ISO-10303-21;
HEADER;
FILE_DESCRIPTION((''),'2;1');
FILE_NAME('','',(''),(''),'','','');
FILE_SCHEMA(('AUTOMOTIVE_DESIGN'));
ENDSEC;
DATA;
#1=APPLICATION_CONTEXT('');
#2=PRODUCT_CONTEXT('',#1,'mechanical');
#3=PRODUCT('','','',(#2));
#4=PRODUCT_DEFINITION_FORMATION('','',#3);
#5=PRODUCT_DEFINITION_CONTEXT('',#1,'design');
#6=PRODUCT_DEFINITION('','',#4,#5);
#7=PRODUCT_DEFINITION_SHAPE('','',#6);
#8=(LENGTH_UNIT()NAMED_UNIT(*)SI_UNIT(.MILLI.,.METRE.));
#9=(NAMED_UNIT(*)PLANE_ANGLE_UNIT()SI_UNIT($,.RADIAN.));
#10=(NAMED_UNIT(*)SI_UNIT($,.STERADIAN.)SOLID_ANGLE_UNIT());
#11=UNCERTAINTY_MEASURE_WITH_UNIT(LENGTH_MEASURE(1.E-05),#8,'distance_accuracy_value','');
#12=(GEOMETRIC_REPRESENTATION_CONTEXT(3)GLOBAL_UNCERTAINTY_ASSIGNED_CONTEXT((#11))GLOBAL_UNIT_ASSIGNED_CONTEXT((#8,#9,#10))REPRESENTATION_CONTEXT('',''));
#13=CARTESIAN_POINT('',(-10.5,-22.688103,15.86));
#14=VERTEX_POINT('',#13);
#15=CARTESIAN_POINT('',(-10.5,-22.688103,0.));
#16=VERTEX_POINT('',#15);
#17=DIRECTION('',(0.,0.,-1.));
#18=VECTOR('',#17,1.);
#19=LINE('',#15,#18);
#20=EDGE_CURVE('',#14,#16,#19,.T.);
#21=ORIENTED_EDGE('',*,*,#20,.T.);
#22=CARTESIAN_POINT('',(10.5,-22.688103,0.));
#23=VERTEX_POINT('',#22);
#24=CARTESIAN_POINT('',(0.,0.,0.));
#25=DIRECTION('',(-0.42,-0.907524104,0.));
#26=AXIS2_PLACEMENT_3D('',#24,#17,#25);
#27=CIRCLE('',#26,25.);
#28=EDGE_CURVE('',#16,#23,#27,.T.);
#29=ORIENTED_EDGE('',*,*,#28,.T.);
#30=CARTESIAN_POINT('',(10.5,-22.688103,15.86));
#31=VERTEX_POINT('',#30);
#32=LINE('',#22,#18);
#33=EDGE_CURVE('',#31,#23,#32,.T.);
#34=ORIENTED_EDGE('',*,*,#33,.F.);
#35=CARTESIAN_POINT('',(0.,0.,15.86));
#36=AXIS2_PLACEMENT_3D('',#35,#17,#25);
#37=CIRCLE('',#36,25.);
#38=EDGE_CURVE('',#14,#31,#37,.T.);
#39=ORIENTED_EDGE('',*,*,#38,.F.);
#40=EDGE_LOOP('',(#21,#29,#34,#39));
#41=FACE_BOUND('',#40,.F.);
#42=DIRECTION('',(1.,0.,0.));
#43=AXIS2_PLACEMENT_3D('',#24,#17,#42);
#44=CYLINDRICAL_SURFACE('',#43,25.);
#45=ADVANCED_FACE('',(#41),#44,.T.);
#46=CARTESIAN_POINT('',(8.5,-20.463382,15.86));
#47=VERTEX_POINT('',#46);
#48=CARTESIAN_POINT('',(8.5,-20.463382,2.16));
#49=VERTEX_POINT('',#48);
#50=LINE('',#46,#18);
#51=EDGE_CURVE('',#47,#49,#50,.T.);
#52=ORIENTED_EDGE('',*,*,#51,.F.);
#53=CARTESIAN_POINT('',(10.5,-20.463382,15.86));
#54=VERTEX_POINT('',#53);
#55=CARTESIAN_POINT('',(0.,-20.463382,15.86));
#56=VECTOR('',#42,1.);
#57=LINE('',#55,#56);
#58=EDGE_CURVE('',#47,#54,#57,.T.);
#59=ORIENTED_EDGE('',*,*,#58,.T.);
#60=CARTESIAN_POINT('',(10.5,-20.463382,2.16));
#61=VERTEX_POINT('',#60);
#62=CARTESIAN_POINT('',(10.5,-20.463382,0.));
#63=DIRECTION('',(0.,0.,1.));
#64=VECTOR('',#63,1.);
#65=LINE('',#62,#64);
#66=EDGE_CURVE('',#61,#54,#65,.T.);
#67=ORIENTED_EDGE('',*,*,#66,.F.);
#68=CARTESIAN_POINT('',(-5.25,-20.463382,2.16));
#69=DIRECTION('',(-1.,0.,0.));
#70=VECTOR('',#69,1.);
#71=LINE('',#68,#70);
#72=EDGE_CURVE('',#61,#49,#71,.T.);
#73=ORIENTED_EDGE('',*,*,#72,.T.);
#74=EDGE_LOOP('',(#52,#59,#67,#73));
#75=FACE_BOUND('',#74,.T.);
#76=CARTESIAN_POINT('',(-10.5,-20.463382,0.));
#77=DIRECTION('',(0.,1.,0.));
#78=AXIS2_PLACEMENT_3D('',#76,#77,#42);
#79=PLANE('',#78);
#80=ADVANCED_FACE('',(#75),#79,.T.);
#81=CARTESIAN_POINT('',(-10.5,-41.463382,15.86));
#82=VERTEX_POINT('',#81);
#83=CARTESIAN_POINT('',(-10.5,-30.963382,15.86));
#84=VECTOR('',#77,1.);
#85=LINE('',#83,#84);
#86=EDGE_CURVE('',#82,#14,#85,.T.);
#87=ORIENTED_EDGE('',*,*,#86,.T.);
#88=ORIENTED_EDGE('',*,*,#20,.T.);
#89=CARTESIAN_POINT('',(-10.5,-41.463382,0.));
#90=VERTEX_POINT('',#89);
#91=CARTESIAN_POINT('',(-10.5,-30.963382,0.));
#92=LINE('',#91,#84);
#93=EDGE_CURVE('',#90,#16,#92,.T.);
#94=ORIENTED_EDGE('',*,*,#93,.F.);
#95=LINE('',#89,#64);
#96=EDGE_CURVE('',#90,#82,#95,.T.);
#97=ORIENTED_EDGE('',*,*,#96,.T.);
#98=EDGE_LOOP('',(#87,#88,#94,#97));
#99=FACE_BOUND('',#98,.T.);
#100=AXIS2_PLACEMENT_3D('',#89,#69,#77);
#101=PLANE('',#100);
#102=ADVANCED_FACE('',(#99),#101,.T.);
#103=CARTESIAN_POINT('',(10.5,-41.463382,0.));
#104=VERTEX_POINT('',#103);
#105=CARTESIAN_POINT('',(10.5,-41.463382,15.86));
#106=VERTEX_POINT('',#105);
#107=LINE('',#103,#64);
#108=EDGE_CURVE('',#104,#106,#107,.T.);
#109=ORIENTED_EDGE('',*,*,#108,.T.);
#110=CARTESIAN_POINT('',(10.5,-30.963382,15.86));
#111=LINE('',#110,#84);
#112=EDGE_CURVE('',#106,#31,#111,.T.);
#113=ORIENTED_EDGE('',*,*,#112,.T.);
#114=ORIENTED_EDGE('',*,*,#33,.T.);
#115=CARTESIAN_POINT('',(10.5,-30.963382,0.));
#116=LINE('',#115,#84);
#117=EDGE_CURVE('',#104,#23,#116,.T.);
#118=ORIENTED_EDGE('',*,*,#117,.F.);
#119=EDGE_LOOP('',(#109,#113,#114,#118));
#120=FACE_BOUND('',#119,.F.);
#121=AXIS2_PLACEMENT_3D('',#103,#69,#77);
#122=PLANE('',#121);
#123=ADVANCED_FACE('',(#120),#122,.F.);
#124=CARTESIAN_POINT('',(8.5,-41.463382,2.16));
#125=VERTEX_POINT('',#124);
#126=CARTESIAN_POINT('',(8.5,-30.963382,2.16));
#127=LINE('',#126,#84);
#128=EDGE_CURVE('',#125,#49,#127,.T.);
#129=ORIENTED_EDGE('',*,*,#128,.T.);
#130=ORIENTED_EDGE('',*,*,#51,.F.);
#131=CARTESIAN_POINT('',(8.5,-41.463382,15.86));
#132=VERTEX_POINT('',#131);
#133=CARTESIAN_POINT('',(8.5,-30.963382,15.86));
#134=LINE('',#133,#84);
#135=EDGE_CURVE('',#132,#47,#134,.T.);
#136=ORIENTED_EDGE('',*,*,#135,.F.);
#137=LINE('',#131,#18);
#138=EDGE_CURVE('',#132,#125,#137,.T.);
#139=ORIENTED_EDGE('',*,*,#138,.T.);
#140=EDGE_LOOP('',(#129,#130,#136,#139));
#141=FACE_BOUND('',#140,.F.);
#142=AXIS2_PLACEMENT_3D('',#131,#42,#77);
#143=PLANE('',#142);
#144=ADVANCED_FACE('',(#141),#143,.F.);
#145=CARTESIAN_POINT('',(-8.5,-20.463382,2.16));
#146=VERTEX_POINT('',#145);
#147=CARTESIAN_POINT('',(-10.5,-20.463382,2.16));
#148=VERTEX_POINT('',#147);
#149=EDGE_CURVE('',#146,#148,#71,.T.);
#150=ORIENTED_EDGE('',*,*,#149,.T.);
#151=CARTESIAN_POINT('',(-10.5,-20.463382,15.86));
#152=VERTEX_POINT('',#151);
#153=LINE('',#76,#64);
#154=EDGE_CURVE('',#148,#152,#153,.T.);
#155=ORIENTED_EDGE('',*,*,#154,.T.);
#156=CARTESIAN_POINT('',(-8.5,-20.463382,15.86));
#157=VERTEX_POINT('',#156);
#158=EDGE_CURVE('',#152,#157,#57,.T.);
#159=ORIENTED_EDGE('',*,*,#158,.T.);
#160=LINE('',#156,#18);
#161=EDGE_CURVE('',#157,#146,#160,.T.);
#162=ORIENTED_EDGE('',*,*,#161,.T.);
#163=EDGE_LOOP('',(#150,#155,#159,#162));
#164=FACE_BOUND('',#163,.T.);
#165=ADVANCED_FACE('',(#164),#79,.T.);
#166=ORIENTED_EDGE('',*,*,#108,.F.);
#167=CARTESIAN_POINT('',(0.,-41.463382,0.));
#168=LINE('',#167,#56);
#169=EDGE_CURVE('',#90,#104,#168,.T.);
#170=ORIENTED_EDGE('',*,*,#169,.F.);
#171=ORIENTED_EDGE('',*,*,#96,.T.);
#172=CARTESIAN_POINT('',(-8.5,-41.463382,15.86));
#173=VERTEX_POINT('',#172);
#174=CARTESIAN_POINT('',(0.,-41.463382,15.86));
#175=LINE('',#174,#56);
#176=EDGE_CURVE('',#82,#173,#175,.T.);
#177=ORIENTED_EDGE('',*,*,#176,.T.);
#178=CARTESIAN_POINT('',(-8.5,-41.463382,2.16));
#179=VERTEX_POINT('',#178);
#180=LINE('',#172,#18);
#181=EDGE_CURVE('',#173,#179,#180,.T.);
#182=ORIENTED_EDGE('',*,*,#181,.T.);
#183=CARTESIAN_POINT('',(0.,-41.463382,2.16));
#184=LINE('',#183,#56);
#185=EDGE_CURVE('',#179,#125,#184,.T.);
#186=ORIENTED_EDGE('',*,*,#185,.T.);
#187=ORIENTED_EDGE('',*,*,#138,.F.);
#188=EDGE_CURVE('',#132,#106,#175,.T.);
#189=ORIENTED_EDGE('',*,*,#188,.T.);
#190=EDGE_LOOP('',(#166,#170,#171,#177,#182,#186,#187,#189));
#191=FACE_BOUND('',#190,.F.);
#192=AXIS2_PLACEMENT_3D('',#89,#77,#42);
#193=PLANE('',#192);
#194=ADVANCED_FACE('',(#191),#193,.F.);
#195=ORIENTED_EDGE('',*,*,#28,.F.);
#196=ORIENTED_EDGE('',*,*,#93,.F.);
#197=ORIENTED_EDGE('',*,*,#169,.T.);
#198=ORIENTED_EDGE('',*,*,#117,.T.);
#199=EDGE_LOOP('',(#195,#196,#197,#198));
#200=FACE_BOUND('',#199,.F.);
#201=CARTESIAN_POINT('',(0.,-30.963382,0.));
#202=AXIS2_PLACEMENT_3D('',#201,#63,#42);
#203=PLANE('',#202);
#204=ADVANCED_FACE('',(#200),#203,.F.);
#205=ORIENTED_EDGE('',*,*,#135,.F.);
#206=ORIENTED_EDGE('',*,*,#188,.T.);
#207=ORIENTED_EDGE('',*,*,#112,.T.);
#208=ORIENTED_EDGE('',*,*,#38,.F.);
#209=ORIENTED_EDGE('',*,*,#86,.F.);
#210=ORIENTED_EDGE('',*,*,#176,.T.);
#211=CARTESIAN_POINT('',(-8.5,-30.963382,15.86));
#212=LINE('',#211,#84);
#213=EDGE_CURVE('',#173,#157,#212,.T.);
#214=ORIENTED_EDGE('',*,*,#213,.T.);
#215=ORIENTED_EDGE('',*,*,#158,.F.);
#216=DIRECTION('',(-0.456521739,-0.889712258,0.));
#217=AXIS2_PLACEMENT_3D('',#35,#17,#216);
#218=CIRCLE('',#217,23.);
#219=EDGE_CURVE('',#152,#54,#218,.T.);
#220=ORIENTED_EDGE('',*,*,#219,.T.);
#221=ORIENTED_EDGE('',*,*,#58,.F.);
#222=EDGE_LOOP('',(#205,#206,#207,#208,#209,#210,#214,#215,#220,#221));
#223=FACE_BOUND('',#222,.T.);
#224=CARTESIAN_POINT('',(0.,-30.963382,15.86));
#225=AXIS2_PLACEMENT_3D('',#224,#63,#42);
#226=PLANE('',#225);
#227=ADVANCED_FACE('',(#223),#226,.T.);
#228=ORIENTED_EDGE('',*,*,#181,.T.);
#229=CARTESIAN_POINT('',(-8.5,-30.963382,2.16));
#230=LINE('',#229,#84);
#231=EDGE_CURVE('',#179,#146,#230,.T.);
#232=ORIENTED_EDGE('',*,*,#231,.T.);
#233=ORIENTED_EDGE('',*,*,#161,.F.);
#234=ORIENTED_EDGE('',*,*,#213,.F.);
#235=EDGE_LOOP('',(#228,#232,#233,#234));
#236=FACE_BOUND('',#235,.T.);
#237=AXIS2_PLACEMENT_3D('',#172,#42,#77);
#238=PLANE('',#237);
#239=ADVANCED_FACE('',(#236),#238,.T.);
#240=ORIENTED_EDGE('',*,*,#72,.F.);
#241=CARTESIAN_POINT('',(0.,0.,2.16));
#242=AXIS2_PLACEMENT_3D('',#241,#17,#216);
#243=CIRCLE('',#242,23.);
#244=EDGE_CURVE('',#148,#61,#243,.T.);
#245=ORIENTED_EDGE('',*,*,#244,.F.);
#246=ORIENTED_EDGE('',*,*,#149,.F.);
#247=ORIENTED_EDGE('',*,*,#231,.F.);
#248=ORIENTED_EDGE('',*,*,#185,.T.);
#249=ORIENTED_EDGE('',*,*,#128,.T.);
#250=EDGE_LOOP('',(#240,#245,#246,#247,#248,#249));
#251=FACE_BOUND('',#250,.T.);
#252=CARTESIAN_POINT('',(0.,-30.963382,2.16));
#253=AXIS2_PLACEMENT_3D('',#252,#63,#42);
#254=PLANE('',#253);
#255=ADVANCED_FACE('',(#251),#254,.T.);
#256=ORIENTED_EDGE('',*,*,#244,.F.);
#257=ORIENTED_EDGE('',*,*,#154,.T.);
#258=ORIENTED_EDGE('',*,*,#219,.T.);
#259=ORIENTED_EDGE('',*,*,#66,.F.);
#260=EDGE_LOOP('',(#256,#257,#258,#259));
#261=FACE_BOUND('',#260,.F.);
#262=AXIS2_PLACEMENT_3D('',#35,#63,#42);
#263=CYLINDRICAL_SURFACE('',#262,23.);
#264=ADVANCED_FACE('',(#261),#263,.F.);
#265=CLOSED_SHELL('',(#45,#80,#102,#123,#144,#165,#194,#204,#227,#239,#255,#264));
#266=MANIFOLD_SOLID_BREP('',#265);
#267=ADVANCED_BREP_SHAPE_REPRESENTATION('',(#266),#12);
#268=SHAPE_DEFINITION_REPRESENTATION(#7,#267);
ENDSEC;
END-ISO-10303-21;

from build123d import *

# Parameters (mm, degrees)
F0_R     = 25
F1_DEPTH = 15.86
F2_R     = 23
F3_DEPTH = 13.7
F4_W     = 21
F4_H     = 21
F5_DEPTH = 15.86
F6_W     = 17
F6_H     = 21
F7_DEPTH = 13.7


with BuildPart() as f1:
    # F0 (on Top) → F1 (new body)
    with BuildSketch(Plane.XY):
        Circle(F0_R)
    extrude(amount=F1_DEPTH)

    # F2 (on face) → F3 (cut)
    with BuildSketch(Plane.XY.offset(15.86)):
        Circle(F2_R)
    extrude(amount=-F3_DEPTH, mode=Mode.SUBTRACT)

    # F4 (on Top) → F5 (join, through all)
    with BuildSketch(Plane.XY):
        with Locations((0, -30.9633819297)):
            Rectangle(F4_W, F4_H)
    extrude(amount=F5_DEPTH)

    # F6 (on face) → F7 (cut, through all)
    with BuildSketch(Plane.XY.offset(15.86)):
        with Locations((0, -30.9633819297)):
            Rectangle(F6_W, F6_H)
    extrude(amount=-F7_DEPTH, mode=Mode.SUBTRACT)


solid = f1.part
